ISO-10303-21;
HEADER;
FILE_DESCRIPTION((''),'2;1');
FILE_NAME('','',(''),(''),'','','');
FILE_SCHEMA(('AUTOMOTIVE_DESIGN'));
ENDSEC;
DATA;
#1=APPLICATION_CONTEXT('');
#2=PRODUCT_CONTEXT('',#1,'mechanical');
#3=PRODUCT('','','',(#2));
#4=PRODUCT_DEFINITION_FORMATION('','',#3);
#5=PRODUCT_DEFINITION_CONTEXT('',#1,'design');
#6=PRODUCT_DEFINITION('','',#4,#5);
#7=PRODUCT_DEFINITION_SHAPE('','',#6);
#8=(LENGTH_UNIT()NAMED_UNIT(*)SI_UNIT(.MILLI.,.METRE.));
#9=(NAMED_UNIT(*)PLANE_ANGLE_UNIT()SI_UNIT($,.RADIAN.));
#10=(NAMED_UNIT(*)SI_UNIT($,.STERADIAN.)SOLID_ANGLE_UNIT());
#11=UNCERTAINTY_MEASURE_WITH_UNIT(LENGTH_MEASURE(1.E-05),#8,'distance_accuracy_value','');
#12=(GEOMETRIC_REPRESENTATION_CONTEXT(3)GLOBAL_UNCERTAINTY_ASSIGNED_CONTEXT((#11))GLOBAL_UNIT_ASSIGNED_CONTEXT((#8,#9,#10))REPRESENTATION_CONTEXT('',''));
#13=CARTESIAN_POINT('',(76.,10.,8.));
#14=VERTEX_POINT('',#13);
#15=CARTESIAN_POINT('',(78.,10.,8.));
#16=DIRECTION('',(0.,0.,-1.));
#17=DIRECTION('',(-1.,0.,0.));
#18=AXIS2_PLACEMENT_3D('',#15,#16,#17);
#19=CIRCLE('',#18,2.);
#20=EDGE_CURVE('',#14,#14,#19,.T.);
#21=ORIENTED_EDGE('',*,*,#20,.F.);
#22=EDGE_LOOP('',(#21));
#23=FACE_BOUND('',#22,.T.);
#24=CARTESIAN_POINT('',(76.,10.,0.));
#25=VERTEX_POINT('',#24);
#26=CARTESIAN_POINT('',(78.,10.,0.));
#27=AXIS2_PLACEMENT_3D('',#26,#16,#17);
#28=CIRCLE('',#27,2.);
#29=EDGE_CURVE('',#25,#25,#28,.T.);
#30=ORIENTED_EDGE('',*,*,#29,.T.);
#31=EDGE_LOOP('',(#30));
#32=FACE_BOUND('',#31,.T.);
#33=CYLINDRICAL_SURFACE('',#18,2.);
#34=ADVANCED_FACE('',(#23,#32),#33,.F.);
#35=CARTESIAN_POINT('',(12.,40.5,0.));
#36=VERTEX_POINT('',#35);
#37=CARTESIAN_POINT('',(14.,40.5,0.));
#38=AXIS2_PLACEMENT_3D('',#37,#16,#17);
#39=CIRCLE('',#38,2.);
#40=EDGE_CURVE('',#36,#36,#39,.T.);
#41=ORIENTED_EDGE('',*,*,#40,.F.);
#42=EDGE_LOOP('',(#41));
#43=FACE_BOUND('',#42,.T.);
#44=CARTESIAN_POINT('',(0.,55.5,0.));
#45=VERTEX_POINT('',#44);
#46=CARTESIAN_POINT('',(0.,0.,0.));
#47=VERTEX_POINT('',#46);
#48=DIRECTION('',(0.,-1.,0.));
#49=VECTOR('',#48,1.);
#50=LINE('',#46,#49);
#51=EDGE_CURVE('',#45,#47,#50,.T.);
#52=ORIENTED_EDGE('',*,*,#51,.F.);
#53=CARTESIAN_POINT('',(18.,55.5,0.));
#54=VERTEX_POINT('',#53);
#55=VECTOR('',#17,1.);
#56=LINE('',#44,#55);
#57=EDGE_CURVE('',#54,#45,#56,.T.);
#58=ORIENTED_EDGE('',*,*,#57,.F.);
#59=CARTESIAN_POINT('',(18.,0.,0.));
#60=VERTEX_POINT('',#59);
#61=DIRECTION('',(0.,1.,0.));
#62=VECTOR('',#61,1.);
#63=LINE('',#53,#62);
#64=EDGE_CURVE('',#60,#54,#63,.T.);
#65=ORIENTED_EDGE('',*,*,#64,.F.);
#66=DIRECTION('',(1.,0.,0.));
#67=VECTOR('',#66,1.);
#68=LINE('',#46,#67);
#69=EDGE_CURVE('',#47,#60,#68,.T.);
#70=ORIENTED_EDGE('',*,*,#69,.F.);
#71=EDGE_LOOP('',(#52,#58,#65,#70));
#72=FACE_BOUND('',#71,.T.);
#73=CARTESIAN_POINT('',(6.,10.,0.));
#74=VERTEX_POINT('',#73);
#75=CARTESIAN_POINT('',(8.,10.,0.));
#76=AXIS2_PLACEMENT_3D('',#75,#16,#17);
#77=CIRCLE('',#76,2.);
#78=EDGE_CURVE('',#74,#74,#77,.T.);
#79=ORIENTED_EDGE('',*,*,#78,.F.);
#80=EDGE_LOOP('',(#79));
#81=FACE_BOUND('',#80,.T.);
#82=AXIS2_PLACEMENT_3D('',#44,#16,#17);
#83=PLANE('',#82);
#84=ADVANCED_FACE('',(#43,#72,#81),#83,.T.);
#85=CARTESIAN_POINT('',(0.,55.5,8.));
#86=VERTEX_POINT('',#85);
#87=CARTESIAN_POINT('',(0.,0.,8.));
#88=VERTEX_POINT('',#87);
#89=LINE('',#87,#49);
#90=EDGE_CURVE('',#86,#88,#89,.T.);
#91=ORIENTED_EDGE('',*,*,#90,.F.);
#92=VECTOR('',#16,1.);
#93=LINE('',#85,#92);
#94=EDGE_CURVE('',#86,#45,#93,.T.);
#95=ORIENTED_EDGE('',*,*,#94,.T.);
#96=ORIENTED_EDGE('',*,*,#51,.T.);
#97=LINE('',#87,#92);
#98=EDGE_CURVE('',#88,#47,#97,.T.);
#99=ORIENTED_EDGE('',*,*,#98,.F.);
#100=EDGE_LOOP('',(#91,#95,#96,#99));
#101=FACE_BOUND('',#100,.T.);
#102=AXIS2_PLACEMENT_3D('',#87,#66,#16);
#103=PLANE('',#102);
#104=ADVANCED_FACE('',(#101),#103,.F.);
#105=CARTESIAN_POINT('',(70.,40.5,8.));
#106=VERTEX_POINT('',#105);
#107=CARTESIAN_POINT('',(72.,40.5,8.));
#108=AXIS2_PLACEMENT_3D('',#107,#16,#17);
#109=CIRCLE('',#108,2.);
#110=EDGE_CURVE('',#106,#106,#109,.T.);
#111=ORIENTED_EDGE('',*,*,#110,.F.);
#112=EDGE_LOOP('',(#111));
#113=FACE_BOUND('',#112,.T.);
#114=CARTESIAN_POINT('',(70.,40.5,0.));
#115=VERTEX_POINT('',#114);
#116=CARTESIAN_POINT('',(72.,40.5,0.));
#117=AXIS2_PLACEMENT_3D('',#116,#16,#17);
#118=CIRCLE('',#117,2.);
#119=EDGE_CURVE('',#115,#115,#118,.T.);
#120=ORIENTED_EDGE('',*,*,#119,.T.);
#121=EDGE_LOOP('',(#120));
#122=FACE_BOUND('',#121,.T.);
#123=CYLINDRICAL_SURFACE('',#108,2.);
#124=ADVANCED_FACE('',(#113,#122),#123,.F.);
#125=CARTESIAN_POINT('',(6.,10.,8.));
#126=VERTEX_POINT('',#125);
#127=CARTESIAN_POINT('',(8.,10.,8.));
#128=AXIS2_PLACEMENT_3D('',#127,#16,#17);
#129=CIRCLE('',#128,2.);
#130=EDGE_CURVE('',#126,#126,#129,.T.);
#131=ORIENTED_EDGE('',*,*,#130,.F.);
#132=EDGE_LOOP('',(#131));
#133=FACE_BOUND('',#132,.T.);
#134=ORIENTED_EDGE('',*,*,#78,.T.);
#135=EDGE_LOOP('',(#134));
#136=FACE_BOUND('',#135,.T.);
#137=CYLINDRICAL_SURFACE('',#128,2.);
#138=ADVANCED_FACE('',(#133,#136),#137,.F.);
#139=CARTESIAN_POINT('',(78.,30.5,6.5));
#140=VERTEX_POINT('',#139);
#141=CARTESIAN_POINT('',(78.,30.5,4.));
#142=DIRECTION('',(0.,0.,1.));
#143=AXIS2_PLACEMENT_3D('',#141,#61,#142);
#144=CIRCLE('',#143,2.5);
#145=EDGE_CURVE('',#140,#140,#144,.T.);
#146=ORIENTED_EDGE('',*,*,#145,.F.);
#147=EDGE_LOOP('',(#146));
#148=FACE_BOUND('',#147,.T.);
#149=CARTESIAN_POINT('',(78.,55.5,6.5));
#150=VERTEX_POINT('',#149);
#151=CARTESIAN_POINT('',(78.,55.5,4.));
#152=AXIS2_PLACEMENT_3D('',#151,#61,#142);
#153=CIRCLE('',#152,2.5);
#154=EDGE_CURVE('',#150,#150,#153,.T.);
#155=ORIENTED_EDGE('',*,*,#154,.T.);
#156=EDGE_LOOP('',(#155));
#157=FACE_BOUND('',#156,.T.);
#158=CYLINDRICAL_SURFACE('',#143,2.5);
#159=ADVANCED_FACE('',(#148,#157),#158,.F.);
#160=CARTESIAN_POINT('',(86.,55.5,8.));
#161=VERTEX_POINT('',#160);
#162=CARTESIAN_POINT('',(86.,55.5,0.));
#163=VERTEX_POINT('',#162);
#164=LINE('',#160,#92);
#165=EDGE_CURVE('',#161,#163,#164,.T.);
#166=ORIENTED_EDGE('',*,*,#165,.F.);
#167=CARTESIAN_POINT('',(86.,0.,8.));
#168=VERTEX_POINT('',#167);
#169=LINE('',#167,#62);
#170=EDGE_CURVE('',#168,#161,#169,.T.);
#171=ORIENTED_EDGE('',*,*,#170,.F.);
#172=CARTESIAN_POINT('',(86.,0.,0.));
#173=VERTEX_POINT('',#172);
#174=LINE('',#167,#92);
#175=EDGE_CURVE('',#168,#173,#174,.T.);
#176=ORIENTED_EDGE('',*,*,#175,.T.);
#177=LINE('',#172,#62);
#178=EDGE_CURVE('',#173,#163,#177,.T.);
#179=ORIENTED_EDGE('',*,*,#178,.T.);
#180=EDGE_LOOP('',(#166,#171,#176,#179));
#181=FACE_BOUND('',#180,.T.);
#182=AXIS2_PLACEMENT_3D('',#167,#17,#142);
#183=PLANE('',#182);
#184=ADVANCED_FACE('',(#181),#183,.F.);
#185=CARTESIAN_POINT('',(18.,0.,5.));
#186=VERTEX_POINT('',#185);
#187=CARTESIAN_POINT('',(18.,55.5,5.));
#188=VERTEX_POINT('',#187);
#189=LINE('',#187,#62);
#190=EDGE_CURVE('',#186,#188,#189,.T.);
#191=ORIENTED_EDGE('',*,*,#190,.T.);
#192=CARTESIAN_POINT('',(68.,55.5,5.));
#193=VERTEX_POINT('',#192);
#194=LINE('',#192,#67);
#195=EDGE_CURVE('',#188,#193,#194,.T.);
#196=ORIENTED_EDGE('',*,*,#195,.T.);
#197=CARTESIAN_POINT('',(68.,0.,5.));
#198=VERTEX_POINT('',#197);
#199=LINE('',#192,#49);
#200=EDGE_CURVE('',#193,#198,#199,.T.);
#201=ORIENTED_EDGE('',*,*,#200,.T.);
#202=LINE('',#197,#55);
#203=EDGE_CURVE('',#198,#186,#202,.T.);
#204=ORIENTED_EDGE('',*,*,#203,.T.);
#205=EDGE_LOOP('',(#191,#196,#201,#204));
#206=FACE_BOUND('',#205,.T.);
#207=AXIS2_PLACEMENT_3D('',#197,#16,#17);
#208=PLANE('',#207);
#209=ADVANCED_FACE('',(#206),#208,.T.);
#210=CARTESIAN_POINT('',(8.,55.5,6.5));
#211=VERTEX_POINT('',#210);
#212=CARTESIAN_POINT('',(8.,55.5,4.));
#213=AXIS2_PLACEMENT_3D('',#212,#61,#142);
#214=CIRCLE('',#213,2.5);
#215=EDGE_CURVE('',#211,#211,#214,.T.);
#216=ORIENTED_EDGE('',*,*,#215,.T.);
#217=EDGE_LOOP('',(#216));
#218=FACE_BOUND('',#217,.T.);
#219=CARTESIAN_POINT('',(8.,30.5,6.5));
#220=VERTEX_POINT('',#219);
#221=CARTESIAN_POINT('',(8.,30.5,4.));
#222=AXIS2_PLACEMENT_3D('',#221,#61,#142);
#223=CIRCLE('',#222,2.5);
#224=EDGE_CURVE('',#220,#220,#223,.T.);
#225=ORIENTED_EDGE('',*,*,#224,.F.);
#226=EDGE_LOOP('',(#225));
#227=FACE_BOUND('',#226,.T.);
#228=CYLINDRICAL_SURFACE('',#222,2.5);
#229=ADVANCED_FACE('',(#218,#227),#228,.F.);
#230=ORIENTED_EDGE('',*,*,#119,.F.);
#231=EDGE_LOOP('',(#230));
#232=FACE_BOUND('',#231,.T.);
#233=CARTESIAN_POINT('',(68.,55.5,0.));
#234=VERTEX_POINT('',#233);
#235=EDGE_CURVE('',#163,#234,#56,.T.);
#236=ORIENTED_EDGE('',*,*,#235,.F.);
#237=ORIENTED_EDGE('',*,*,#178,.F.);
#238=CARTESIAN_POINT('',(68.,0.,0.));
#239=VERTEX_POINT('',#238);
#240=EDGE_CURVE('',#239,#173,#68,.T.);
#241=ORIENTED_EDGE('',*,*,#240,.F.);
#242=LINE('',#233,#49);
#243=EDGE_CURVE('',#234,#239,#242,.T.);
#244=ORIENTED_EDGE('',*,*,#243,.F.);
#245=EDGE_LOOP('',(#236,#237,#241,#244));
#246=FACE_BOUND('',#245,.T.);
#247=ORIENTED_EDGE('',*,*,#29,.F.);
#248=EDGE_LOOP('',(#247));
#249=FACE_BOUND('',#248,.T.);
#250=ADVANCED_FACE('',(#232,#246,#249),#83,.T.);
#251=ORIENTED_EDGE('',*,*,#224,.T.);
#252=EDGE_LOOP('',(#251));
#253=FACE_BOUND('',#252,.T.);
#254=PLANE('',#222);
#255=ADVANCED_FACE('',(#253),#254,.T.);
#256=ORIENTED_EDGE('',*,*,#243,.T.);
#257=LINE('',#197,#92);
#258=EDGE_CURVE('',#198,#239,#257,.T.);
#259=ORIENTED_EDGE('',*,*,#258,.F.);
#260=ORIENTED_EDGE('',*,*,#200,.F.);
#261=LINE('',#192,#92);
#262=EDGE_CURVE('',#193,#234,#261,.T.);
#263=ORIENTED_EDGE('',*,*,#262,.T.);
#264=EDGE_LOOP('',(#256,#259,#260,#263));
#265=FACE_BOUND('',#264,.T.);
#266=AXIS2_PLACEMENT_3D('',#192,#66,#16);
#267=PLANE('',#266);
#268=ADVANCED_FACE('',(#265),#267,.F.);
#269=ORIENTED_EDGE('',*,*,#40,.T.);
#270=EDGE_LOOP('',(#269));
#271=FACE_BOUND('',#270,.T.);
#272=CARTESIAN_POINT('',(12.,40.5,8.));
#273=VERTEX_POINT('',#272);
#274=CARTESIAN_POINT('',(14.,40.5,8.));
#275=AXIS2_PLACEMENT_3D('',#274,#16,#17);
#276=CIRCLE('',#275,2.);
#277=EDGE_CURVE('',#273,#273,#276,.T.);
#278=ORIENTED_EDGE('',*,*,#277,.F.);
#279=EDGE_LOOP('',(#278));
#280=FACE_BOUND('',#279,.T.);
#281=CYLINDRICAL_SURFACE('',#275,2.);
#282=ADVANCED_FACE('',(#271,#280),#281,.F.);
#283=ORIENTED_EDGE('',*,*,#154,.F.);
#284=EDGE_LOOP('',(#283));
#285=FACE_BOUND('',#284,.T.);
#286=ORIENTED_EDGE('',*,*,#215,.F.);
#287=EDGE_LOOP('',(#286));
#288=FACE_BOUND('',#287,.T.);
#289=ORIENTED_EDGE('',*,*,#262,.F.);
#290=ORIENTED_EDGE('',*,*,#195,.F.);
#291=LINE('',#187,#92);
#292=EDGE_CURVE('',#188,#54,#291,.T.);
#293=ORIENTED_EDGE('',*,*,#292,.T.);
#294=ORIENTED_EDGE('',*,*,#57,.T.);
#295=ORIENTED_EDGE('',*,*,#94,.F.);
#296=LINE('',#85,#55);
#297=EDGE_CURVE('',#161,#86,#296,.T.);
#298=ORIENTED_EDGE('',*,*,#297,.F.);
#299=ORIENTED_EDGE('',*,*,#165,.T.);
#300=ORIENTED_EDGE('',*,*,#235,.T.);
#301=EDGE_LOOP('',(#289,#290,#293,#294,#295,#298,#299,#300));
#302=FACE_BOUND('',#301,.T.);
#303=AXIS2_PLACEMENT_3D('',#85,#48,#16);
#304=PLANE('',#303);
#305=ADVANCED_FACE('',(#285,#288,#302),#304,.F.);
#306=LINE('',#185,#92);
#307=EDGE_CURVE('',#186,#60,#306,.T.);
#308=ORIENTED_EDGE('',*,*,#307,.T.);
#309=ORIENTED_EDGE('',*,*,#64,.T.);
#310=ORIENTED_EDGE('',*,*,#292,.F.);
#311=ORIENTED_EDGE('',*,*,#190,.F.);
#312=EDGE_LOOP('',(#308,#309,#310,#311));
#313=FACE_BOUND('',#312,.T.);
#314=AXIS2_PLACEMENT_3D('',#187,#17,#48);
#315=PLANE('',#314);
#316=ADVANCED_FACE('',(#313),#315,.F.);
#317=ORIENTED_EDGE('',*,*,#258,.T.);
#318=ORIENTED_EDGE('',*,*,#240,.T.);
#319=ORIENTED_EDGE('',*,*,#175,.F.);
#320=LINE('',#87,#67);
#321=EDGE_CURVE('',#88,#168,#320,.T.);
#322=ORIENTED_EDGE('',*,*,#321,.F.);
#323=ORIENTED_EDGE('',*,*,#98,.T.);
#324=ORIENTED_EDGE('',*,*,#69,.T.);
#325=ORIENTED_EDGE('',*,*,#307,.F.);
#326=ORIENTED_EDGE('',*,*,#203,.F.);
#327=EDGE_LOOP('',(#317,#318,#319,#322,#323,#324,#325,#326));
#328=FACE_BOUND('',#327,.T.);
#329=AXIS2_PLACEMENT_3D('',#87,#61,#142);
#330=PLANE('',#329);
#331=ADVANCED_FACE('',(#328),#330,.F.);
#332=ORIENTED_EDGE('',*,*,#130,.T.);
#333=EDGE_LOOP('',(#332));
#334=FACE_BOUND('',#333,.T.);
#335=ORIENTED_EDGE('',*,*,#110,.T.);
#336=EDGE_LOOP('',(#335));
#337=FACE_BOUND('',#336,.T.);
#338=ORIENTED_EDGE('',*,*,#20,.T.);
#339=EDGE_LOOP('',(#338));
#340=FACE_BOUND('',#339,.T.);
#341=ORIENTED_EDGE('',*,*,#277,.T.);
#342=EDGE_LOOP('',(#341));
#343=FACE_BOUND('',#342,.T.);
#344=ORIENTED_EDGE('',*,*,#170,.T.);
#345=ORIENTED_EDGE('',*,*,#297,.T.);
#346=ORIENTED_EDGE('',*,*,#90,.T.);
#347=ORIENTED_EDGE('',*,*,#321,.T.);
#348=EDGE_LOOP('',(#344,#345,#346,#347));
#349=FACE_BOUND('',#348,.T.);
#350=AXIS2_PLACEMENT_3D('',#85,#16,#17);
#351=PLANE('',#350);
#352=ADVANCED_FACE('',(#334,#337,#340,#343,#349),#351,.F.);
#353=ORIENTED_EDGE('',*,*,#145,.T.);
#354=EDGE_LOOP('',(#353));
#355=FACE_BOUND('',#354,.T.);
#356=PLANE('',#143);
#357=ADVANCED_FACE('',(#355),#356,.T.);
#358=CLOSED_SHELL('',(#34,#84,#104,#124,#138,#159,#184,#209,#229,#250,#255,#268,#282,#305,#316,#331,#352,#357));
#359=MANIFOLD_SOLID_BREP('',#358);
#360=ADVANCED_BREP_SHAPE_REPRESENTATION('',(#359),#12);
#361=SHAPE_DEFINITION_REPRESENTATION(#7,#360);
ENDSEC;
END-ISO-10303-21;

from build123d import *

# Parameters (mm, degrees)
SKETCH_1_W          = 86
SKETCH_1_H          = 55.5
EXTRUDE_1_DEPTH     = 8
SKETCH_2_R          = 2.5
CUT_EXTRUDE_1_DEPTH = 25
SKETCH_3_W          = 50
SKETCH_3_H          = 55.5
CUT_EXTRUDE_2_DEPTH = 5
SKETCH_4_R          = 2
CUT_EXTRUDE_3_DEPTH = 103.665719693


with BuildPart() as part:
    # 草图1 → 拉伸1 (new body)
    with BuildSketch(Plane.XY):
        with Locations((43, 27.75)):
            Rectangle(SKETCH_1_W, SKETCH_1_H)
    extrude(amount=EXTRUDE_1_DEPTH)

    # 草图2 → 切除-拉伸1 (cut)
    with BuildSketch(Plane(origin=(0, 55.5, 0), x_dir=(-1, 0, 0), z_dir=(0, 1, 0))):
        with Locations(Location((-78, 4, 0), (0, 0, 90))):
            Circle(SKETCH_2_R)
        with Locations(Location((-8, 4, 0), (0, 0, 90))):
            Circle(SKETCH_2_R)
    extrude(amount=-CUT_EXTRUDE_1_DEPTH, mode=Mode.SUBTRACT)

    # 草图3 → 切除-拉伸2 (cut)
    with BuildSketch(Plane(origin=(0, 0, 0), x_dir=(-1, 0, 0), z_dir=(0, 0, -1))):
        with Locations((-43, 27.75)):
            Rectangle(SKETCH_3_W, SKETCH_3_H)
    extrude(amount=-CUT_EXTRUDE_2_DEPTH, mode=Mode.SUBTRACT)

    # 草图4 → 切除-拉伸3 (cut, through all)
    with BuildSketch(Plane(origin=(0, 0, 0), x_dir=(-1, 0, 0), z_dir=(0, 0, -1))):
        with Locations((-72, 40.5)):
            Circle(SKETCH_4_R)
        with Locations((-78, 10)):
            Circle(SKETCH_4_R)
        with Locations((-14, 40.5)):
            Circle(SKETCH_4_R)
        with Locations((-8, 10)):
            Circle(SKETCH_4_R)
    extrude(amount=-CUT_EXTRUDE_3_DEPTH, mode=Mode.SUBTRACT)


solid = part.part
